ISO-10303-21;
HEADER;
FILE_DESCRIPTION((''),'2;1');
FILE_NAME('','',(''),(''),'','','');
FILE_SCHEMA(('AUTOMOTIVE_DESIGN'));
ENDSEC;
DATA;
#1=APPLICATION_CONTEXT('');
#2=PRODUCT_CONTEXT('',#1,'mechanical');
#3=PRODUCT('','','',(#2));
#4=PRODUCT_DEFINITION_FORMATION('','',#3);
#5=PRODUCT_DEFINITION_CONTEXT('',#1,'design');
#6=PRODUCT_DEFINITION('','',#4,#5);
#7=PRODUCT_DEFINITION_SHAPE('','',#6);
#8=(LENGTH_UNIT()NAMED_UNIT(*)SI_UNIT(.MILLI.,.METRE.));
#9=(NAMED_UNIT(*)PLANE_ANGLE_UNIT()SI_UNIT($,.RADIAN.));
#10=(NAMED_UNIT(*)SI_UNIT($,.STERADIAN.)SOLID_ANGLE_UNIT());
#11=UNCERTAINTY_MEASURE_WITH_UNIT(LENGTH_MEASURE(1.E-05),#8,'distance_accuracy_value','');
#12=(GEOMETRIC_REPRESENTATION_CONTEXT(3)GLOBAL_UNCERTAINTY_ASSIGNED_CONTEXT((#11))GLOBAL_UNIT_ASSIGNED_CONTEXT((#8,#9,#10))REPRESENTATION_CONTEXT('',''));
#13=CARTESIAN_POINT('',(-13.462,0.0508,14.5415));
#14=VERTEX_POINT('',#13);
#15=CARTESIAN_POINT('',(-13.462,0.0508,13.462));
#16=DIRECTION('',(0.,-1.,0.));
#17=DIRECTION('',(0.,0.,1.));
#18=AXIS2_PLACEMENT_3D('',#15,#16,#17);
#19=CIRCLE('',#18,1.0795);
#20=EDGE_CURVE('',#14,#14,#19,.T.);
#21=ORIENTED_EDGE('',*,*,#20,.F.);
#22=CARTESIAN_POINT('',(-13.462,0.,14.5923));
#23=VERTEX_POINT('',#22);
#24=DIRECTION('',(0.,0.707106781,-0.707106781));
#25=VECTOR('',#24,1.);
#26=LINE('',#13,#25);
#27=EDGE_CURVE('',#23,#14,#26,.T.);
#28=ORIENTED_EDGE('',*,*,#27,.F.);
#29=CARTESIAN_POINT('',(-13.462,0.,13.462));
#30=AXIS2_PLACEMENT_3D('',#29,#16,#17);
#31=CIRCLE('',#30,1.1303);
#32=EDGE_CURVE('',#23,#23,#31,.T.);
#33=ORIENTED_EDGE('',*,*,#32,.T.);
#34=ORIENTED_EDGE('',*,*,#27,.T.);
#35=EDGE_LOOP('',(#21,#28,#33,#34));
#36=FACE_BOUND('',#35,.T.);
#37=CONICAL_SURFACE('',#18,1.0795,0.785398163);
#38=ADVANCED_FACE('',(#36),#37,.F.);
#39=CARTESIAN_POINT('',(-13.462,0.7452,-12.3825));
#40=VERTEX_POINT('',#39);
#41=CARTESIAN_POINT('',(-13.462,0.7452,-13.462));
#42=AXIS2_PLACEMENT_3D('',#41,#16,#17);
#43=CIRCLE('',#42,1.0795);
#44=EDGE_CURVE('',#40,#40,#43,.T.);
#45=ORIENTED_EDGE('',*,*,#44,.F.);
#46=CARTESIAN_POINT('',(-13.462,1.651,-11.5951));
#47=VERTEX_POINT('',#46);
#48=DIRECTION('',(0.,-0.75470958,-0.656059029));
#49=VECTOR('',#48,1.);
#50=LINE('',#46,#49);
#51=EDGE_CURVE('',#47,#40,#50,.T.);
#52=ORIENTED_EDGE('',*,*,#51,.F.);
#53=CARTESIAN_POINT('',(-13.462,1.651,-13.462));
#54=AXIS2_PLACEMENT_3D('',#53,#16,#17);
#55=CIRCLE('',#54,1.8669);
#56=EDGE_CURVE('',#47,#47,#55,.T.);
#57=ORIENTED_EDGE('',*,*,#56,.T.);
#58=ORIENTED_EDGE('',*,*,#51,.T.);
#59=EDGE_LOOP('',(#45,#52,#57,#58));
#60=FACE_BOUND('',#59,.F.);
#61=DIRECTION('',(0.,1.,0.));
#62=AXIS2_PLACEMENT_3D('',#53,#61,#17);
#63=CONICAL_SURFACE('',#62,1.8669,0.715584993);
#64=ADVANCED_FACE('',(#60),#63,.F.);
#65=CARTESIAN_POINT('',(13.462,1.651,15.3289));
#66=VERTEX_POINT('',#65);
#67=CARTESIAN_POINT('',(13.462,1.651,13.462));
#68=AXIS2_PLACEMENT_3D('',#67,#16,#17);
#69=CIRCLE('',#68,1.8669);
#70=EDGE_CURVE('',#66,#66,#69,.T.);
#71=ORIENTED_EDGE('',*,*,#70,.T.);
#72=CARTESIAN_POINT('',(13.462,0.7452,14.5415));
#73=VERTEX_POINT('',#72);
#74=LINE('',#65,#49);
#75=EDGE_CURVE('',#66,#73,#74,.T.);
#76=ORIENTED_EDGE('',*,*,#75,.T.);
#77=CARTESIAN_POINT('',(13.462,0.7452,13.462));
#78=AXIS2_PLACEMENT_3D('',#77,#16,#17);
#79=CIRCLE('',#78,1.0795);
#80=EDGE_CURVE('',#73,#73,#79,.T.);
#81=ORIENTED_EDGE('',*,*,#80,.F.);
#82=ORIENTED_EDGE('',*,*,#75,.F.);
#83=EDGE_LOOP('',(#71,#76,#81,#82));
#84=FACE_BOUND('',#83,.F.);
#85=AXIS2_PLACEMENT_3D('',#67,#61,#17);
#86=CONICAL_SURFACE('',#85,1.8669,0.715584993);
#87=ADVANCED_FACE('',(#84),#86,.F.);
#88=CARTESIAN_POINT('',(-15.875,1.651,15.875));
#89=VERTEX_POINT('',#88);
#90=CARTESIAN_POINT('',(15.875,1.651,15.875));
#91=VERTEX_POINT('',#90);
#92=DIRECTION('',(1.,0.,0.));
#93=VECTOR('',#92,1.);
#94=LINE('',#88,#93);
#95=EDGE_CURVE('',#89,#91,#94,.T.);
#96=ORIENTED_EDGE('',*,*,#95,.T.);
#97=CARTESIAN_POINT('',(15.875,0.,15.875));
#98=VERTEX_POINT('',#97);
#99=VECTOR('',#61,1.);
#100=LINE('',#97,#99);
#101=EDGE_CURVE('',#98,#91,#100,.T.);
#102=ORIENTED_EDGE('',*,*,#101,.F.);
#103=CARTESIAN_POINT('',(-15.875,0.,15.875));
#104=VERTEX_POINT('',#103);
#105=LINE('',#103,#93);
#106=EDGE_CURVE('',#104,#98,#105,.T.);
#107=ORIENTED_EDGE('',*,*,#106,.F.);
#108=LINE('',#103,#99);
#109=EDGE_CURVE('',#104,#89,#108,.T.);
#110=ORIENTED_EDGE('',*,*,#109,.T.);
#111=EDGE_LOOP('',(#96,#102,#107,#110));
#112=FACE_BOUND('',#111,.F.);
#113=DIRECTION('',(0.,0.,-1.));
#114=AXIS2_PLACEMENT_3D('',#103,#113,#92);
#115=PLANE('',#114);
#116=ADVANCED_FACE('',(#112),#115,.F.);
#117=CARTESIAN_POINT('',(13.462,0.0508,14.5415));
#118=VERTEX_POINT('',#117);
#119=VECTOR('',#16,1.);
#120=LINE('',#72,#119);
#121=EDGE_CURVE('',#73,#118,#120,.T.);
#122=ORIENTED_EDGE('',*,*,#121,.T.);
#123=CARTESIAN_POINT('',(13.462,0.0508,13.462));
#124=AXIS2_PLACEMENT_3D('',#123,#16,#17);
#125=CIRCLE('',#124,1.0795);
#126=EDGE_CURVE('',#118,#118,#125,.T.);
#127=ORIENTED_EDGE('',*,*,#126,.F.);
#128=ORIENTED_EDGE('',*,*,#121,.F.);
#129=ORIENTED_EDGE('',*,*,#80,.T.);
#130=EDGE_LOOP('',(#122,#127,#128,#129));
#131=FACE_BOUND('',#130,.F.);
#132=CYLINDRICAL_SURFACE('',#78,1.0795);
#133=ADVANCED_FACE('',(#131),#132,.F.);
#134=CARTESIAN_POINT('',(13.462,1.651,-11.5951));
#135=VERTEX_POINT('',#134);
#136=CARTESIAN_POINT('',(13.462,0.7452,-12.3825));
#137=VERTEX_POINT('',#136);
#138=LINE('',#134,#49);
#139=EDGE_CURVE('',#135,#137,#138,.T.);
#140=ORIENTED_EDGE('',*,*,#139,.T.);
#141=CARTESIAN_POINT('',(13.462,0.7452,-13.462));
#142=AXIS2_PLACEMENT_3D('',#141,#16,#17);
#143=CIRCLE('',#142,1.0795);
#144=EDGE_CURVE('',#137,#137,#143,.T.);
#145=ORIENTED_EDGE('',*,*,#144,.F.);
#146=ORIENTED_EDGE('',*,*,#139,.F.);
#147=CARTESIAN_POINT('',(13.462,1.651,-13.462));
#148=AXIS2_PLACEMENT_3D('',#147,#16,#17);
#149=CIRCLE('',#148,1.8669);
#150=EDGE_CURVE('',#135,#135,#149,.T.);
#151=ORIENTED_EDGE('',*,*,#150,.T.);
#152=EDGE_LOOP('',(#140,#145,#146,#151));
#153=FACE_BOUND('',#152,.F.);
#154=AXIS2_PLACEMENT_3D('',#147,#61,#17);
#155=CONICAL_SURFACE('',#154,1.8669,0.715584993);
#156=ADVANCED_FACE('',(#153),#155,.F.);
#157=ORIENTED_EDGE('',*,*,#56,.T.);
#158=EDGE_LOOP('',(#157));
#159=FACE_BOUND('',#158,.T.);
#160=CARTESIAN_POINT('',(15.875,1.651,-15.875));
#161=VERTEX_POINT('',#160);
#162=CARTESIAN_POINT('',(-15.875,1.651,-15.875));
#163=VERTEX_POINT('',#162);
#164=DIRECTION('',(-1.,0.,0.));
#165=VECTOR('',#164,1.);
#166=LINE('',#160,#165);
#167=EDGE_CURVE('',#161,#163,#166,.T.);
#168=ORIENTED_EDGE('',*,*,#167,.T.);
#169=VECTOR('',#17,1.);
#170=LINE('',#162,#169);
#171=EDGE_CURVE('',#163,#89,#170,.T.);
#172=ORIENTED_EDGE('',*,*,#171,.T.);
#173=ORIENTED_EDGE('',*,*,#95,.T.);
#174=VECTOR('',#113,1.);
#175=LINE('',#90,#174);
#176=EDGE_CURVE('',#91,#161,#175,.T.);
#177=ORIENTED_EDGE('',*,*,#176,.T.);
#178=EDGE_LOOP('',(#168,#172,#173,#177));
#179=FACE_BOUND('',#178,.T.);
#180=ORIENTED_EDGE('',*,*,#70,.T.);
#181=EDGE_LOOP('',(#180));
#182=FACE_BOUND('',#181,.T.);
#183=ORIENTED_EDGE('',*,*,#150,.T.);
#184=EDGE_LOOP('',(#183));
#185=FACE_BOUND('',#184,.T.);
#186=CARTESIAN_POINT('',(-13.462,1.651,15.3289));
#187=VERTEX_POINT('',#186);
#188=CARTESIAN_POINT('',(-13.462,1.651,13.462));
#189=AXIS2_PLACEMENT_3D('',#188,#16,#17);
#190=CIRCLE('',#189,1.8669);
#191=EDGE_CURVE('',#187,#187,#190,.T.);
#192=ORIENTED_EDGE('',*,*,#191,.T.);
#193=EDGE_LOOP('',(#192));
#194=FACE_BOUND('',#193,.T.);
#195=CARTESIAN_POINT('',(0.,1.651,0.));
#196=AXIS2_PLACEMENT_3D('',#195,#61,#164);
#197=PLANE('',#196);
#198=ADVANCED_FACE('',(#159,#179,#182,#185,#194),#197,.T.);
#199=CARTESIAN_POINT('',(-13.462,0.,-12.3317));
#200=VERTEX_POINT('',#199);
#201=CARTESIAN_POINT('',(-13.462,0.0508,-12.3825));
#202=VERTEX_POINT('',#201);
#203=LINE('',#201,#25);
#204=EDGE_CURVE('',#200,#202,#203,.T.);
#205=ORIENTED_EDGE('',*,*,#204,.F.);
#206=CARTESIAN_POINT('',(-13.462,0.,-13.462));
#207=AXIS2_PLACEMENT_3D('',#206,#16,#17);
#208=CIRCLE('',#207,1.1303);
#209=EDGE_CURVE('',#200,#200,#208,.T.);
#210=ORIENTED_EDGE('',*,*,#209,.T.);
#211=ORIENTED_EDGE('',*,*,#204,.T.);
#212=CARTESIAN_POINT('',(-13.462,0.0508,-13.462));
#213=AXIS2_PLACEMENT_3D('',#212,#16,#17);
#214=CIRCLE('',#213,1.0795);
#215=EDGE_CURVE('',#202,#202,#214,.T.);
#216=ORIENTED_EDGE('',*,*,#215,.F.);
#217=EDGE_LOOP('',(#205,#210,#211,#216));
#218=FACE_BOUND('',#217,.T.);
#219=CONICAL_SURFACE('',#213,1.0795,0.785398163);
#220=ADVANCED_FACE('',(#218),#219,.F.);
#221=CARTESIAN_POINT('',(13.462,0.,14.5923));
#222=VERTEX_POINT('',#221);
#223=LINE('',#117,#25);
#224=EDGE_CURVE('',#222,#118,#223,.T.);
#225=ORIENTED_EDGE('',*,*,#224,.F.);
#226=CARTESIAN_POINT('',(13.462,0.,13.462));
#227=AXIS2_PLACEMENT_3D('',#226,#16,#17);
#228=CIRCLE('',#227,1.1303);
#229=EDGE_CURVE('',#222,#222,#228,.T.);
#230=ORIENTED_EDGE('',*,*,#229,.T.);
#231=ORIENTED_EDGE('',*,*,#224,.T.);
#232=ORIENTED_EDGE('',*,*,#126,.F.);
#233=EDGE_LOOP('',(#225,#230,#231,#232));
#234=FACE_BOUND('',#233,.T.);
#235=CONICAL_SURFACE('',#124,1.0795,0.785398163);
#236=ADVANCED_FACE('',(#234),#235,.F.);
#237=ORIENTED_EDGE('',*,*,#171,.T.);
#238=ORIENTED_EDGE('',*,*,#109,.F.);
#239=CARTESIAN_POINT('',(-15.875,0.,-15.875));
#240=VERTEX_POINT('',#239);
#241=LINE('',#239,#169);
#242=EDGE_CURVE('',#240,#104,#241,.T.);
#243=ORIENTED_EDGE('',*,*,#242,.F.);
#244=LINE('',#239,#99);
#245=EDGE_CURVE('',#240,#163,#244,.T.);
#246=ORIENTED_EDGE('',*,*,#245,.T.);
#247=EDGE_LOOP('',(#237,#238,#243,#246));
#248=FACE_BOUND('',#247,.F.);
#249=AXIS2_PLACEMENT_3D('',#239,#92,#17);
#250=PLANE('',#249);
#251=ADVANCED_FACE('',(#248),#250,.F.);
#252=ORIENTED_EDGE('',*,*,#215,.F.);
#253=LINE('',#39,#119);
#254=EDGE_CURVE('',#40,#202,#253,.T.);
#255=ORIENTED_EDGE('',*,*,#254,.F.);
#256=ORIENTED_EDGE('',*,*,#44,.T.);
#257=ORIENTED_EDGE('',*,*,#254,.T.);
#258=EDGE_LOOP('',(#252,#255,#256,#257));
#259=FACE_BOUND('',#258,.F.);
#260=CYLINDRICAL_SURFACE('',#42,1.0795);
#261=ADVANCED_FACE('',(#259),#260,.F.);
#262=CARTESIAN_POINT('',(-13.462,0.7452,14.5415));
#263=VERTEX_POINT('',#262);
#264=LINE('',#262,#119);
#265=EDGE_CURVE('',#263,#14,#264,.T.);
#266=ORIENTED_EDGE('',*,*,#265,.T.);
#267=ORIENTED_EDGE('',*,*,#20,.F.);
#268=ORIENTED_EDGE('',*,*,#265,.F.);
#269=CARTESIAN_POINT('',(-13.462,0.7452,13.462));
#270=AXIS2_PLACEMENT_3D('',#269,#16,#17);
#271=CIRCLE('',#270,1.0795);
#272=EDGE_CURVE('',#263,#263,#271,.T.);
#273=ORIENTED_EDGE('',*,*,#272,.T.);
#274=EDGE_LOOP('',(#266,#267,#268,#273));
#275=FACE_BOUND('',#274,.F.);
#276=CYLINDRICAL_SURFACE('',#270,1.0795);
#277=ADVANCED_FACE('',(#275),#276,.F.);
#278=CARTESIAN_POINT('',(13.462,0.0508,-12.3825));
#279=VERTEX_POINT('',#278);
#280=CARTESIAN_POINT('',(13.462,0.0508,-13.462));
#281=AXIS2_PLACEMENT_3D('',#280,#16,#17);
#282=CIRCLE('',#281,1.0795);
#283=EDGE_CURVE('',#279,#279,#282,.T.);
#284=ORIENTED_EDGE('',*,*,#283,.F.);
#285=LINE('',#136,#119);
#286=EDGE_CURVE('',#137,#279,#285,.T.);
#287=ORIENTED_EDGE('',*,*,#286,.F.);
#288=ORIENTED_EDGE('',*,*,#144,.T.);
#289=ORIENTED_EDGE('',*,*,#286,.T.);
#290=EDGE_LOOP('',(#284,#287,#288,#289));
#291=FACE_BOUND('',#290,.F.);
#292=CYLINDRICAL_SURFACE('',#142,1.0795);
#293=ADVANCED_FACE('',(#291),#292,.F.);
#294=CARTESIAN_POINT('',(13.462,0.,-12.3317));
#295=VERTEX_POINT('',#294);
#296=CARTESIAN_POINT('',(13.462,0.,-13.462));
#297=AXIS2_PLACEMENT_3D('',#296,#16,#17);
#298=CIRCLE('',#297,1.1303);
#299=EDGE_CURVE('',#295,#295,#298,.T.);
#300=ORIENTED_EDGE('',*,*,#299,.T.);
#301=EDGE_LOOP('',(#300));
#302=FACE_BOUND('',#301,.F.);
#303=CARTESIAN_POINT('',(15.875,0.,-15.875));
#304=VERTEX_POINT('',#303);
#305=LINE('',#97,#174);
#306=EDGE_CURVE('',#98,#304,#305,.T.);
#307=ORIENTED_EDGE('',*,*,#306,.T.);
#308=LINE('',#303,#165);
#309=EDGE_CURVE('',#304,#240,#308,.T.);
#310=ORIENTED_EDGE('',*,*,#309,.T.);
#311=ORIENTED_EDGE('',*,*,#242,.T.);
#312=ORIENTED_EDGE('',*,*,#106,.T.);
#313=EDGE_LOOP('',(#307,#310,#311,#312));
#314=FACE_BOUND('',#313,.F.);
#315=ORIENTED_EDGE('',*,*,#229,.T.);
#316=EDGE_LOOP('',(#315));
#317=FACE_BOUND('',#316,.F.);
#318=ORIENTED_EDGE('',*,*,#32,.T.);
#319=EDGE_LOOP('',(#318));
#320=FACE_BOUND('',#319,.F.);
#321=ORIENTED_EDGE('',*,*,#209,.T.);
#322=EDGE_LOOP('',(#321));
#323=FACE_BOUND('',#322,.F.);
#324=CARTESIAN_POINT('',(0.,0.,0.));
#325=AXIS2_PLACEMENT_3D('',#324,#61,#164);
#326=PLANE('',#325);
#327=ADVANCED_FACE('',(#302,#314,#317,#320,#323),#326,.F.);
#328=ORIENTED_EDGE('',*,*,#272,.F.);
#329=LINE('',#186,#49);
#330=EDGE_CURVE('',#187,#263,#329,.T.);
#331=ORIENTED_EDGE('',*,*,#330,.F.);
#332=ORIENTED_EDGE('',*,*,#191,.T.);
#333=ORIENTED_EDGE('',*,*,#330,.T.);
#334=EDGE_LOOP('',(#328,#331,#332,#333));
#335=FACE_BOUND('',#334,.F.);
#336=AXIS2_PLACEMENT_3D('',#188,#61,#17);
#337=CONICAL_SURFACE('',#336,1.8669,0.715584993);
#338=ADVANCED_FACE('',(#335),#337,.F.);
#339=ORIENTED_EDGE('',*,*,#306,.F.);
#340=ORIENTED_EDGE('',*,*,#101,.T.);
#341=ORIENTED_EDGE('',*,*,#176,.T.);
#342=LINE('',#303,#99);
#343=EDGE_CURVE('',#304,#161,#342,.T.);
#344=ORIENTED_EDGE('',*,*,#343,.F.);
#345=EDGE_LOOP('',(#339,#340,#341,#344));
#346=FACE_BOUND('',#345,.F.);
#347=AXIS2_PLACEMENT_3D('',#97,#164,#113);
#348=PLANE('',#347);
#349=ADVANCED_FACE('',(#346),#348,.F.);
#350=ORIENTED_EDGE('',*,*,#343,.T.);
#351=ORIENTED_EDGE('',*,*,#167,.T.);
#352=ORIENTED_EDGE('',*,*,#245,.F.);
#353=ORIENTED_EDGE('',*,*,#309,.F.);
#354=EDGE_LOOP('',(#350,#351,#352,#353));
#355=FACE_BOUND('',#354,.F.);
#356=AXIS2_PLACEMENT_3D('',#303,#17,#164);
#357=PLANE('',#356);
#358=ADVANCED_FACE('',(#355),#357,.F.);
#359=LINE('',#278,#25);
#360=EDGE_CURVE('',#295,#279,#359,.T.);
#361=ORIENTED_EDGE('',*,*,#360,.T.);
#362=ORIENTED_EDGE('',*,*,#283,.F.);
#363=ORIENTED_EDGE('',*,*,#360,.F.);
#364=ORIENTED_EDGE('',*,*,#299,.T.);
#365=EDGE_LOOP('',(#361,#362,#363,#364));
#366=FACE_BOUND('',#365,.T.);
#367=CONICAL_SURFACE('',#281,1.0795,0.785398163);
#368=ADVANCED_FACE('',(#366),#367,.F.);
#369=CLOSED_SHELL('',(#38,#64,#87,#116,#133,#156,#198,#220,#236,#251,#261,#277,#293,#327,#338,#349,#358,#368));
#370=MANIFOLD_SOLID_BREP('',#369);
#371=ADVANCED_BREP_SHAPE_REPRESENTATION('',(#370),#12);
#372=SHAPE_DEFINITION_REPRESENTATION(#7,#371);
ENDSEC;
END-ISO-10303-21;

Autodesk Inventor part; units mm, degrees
ref_plane "YZ Plane" through (0, 0, 0) normal (1, 0, 0) x (0, 1, 0)
ref_plane "XZ Plane" through (0, 0, 0) normal (0, 1, 0) x (-1, 0, 0)
ref_plane "XY Plane" through (0, 0, 0) normal (0, 0, 1) x (1, 0, 0)
sketch "Sketch1" plane through (0, 0, 0) normal (0, 1, 0) x (-1, 0, 0)
  line L0 (-15.875, -15.875) -> (15.875, -15.875)
  line L1 (15.875, -15.875) -> (15.875, 15.875)
  line L2 (15.875, 15.875) -> (-15.875, 15.875)
  line L3 (-15.875, 15.875) -> (-15.875, -15.875)
  line L4 (-15.875, -15.875) -> (15.875, 15.875) construction
  line L5 (15.875, -15.875) -> (-15.875, 15.875) construction
  point P0 (0, 0)
  point P1 (0, 0)
  dimension "d0" = 31.75
  dimension "d1" = 31.75
extrude "Extrusion1" add sketch "Sketch1" along normal blind 1.651
hole "Hole1" at (-13.462, 1.651, 13.462) direction (0, -1, 0) diameter 2.159 depth 1.651 tip angle 118 countersink diameter 3.7338 countersink angle 82
hole "Hole2" at (-13.462, 1.651, -13.462) direction (0, -1, 0) diameter 2.159 depth 1.651 tip angle 118 countersink diameter 3.7338 countersink angle 82
hole "Hole3" at (13.462, 1.651, -13.462) direction (0, -1, 0) diameter 2.159 depth 1.651 tip angle 118 countersink diameter 3.7338 countersink angle 82
hole "Hole4" at (13.462, 1.651, 13.462) direction (0, -1, 0) diameter 2.159 depth 1.651 tip angle 118 countersink diameter 3.7338 countersink angle 82
chamfer "Chamfer1" distance 0.0508 angle 45 1 edges at (-13.462, 0, 12.3825)
chamfer "Chamfer2" distance 0.0508 angle 45 1 edges at (13.462, 0, 12.3825)
chamfer "Chamfer3" distance 0.0508 angle 45 1 edges at (13.462, 0, -14.5415)
chamfer "Chamfer4" distance 0.0508 angle 45 1 edges at (-13.462, 0, -14.5415)
properties part number "Housing_Top"
